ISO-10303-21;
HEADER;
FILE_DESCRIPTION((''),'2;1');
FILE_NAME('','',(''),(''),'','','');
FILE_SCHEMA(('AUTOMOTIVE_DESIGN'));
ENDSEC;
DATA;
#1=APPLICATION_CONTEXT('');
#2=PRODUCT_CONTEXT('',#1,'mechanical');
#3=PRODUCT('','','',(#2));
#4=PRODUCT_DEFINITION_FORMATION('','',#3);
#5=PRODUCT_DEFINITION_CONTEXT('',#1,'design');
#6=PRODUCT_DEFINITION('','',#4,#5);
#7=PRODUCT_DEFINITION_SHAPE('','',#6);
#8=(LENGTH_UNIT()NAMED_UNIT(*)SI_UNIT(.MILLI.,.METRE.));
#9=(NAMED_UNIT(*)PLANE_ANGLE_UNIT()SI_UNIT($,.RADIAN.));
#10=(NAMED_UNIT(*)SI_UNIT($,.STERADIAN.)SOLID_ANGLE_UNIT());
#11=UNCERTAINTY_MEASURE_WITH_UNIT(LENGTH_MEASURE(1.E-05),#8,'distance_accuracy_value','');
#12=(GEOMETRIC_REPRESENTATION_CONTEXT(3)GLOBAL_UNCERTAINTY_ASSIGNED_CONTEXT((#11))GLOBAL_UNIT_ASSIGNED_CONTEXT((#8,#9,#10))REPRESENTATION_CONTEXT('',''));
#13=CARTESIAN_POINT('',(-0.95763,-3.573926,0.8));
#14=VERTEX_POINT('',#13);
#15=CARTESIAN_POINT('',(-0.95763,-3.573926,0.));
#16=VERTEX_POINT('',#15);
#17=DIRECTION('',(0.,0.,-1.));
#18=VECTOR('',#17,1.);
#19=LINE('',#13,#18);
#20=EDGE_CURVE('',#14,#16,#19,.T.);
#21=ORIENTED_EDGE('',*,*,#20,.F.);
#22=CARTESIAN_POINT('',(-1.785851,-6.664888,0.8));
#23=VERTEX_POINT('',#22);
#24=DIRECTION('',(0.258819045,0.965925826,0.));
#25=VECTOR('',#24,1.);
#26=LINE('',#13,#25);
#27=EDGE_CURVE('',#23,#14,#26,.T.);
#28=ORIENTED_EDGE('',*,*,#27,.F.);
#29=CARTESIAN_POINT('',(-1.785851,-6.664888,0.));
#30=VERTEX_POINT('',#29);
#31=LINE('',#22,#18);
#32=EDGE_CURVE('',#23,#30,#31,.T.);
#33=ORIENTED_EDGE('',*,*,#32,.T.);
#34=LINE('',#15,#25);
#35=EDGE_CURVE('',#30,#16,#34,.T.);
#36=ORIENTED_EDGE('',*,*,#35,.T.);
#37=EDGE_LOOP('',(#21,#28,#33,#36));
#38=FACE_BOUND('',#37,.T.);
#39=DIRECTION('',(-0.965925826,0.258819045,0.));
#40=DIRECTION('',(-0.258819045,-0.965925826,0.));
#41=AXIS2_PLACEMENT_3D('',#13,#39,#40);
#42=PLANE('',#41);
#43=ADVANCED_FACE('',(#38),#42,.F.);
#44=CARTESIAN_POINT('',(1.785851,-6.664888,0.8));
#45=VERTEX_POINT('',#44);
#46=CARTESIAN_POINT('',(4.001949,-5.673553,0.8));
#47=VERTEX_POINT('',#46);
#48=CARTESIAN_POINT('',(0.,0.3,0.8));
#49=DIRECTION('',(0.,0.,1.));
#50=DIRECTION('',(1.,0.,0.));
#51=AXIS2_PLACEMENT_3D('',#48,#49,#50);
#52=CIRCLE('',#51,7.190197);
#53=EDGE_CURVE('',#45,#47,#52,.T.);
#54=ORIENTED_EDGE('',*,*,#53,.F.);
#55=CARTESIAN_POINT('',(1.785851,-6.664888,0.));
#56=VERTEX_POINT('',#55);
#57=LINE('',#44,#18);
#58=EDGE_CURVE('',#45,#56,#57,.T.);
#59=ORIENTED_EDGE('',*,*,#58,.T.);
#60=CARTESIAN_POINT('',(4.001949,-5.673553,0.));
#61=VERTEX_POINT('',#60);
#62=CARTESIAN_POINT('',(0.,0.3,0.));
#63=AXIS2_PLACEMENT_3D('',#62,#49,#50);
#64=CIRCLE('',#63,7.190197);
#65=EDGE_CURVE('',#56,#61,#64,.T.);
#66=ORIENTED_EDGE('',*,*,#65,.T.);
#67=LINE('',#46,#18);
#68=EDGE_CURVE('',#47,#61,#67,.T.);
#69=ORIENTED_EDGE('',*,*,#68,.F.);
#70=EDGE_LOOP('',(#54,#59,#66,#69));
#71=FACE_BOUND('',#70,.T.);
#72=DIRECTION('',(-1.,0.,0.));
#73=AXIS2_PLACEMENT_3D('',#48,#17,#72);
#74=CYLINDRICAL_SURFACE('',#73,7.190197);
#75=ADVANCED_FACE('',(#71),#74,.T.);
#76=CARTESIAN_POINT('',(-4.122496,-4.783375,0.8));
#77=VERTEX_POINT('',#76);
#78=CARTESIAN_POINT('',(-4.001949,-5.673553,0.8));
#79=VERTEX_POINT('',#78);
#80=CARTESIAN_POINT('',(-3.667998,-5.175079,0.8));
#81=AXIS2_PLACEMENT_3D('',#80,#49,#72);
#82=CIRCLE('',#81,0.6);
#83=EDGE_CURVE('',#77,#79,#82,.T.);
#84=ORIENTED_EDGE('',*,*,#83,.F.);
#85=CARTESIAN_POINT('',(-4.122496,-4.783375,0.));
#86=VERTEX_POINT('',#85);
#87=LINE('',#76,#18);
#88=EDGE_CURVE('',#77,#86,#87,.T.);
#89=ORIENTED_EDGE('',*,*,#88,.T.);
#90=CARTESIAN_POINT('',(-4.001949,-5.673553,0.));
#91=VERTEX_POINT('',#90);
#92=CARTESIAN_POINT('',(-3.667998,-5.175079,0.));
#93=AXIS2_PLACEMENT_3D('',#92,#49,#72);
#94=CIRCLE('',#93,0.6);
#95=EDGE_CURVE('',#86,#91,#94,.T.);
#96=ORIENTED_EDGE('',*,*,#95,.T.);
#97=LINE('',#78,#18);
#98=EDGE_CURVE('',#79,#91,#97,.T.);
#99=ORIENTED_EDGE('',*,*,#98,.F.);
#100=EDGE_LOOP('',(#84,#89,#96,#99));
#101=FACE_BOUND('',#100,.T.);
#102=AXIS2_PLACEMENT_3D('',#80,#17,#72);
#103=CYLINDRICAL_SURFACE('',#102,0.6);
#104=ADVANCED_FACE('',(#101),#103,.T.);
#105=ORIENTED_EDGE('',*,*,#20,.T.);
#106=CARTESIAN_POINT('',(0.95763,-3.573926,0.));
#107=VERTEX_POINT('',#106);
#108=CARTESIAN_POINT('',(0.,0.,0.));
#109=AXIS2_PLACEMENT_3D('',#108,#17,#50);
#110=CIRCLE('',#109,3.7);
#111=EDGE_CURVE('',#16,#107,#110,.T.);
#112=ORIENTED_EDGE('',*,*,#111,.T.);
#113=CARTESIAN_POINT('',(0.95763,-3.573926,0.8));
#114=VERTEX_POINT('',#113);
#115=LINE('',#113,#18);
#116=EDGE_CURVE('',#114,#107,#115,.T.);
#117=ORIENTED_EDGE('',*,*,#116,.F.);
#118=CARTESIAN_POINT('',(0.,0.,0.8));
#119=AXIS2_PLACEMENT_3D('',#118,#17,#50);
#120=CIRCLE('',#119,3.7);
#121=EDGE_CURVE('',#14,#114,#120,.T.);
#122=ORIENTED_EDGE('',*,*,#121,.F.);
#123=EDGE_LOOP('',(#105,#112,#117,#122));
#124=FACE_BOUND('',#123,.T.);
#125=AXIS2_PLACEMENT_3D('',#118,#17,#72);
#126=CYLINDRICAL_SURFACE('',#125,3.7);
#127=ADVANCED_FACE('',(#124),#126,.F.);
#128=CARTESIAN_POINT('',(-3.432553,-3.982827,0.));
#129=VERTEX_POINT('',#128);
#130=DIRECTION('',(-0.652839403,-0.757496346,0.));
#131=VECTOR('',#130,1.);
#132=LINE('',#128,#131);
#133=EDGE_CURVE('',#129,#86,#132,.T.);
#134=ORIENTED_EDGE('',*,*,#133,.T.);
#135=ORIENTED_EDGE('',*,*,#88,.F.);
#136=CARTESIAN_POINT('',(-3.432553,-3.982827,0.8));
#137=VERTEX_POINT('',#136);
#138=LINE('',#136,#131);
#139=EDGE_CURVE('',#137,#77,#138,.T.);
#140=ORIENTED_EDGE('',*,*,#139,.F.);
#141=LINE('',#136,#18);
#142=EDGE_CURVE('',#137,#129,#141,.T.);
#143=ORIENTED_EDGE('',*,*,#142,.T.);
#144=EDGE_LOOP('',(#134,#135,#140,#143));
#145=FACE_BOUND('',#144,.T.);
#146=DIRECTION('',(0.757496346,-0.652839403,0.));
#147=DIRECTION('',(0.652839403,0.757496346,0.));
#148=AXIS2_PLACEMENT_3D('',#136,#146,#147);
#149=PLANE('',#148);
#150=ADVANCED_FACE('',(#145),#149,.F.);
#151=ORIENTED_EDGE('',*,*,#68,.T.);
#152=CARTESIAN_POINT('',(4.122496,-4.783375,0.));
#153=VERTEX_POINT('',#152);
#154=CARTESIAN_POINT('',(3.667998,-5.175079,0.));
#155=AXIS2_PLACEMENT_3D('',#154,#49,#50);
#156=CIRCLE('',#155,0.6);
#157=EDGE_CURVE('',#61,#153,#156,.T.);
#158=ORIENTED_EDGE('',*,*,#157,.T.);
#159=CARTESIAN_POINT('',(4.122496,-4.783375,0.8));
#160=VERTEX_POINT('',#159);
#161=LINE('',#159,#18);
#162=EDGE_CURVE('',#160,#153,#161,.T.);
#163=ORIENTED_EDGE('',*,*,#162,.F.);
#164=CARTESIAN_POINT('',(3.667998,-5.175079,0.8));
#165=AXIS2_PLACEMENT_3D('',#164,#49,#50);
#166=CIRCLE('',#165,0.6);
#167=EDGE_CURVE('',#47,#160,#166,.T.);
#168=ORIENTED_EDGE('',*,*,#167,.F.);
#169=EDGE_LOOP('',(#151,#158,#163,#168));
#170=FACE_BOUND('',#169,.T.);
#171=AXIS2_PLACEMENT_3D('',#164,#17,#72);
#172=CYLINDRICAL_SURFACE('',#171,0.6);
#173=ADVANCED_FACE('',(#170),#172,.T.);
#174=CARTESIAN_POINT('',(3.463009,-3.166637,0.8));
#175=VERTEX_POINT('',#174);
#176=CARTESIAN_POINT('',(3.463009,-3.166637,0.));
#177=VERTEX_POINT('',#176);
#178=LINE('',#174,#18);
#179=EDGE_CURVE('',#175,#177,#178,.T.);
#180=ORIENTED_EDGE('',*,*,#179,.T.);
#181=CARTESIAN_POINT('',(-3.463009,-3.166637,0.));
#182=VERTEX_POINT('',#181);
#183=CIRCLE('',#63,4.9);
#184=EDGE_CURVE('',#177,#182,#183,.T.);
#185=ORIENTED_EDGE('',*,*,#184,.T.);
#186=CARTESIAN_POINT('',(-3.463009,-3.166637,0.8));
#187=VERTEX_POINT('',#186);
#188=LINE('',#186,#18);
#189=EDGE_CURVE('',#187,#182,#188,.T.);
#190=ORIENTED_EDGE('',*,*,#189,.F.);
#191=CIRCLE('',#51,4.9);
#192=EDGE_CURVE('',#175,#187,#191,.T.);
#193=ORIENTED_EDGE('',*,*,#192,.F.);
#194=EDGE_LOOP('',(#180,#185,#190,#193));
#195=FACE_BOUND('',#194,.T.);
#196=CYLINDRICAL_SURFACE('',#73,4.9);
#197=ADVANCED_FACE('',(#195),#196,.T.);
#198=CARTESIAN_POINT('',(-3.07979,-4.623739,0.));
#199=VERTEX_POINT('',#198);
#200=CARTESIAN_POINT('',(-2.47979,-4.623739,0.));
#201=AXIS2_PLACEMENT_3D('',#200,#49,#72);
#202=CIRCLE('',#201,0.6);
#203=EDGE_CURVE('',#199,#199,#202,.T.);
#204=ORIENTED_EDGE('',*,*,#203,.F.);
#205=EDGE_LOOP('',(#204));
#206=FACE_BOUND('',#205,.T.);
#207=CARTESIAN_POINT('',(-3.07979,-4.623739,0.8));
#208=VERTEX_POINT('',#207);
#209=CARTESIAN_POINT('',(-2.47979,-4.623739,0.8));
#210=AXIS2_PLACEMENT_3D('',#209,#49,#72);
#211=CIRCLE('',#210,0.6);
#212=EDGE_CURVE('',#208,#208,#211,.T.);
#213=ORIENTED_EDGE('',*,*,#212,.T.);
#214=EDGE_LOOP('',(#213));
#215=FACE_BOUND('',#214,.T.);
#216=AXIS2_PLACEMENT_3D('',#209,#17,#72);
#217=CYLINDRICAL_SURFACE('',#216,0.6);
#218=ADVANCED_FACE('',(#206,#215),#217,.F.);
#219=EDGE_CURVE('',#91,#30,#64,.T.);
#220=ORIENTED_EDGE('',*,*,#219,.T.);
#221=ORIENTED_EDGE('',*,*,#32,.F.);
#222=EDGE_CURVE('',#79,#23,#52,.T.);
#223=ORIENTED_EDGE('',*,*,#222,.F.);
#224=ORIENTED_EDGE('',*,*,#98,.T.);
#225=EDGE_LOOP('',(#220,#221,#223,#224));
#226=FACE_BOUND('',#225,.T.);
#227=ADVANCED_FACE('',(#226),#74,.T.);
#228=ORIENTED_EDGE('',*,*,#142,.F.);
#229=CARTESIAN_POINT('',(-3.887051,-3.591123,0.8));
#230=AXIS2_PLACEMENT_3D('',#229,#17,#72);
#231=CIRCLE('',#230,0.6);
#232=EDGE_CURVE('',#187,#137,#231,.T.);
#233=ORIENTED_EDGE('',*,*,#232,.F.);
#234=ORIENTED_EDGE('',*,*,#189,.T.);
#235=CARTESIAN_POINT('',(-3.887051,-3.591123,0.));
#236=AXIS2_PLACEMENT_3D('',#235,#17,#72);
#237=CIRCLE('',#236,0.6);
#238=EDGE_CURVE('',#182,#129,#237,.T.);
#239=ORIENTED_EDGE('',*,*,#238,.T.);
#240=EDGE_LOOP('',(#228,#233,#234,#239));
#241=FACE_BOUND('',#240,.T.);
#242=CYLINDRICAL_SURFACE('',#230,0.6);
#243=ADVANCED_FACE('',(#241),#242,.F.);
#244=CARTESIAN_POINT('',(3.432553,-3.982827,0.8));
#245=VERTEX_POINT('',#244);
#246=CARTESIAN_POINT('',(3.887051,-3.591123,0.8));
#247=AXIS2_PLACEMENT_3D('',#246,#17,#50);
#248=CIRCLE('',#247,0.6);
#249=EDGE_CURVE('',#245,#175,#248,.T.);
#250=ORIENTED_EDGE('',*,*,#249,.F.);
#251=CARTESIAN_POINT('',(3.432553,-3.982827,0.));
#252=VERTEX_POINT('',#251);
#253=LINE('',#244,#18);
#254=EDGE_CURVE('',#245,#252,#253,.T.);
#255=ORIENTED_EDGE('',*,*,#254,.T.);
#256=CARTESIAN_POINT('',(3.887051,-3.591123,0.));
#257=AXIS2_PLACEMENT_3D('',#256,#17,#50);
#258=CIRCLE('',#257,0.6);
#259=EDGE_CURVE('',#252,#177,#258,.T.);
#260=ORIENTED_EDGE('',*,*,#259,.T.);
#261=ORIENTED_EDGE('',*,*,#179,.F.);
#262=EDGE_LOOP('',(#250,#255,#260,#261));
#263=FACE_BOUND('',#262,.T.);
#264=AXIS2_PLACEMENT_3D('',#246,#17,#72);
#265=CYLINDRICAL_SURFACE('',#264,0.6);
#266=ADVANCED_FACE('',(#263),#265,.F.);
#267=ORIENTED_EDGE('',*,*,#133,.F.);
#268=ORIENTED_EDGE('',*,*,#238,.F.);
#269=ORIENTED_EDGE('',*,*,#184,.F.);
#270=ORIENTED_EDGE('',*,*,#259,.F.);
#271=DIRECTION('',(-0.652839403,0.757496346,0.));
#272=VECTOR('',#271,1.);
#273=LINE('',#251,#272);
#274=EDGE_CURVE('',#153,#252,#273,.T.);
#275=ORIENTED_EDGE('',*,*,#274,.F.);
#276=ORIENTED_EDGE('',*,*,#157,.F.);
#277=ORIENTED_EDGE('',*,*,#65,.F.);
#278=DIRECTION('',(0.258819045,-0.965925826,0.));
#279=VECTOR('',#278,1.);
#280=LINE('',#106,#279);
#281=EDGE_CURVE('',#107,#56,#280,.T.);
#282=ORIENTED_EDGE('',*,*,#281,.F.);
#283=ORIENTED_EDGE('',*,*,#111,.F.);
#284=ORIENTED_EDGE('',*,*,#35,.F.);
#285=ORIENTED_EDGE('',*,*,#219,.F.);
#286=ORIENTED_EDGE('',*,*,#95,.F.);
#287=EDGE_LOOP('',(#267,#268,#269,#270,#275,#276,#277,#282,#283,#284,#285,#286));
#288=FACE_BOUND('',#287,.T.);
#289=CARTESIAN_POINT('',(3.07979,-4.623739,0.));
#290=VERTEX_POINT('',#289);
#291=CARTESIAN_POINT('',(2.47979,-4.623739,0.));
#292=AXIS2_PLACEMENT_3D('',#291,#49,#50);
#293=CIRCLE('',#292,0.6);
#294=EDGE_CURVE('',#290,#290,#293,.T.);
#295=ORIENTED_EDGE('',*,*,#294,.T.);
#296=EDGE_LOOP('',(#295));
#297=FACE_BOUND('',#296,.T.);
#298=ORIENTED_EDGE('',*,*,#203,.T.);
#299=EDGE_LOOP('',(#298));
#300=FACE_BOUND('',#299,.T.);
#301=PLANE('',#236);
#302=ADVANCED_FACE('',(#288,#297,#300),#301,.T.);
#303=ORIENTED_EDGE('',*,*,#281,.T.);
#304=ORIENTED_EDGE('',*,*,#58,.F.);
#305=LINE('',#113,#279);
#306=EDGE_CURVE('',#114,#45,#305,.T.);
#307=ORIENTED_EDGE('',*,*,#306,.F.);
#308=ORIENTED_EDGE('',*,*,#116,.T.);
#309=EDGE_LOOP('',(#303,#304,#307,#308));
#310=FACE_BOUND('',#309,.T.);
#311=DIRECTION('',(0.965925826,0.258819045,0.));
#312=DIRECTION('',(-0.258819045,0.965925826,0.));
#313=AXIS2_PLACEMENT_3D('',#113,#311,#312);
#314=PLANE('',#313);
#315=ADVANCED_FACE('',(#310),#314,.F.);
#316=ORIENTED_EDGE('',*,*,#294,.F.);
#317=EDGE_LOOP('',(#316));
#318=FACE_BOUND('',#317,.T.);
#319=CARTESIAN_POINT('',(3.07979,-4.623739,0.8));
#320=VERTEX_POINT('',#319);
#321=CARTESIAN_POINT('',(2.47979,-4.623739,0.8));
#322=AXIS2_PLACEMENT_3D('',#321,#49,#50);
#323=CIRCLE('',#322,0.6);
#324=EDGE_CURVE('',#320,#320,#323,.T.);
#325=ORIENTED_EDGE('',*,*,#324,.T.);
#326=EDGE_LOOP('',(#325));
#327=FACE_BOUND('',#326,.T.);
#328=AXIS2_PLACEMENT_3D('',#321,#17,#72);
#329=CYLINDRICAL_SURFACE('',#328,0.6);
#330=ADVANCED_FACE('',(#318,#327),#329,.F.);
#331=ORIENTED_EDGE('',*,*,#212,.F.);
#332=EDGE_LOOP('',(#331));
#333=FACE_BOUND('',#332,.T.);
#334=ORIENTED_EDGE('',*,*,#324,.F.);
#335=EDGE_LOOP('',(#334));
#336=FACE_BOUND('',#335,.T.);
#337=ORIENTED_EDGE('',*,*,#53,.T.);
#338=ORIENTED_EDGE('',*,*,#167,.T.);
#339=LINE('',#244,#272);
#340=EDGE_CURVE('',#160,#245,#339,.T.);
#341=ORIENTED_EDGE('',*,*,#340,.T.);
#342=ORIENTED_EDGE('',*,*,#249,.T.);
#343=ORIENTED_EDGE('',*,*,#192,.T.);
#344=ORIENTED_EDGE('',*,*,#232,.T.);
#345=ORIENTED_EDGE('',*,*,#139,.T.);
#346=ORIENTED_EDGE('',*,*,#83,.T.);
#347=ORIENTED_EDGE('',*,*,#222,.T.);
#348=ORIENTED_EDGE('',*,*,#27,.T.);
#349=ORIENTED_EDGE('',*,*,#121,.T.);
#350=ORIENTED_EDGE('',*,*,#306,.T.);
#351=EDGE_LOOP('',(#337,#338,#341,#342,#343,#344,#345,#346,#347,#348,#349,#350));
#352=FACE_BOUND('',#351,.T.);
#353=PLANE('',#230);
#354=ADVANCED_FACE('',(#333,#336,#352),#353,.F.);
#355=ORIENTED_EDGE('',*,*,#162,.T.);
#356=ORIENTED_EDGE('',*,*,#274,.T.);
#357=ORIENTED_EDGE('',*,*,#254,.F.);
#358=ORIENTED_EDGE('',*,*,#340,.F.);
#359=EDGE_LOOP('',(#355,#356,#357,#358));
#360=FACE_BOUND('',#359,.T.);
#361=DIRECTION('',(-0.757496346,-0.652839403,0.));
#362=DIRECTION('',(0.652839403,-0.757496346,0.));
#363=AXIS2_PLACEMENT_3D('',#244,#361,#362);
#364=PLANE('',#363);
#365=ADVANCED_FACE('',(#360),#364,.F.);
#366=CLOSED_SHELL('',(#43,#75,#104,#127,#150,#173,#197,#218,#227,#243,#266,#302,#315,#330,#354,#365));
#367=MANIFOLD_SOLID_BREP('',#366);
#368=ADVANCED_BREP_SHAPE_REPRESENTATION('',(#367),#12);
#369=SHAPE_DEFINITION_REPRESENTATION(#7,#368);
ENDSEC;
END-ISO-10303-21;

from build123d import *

# Parameters (mm, degrees)
ESQUISSE1_R          = 0.6
BASE_EXTRUSION_DEPTH = 0.8


with BuildPart() as part:
    # Esquisse1 → Base-Extrusion (new body)
    with BuildSketch(Plane.XY):
        with BuildLine():
            Line((3.432552738, -3.982826624), (4.122496002, -4.783374966))
            ThreePointArc((4.122496002, -4.783374966), (4.262571201, -5.255595313), (4.001948594, -5.673553413))
            ThreePointArc((4.001948594, -5.673553413), (2.93604213, -6.263428184), (1.785851411, -6.664888201))
            Line((1.785851411, -6.664888201), (0.957630467, -3.573925557))
            ThreePointArc((0.957630467, -3.573925557), (0, 3.7), (-0.957630467, -3.573925557))
            Line((-0.957630467, -3.573925557), (-1.785851411, -6.664888201))
            ThreePointArc((-1.785851411, -6.664888201), (-2.93604213, -6.263428184), (-4.001948594, -5.673553413))
            ThreePointArc((-4.001948594, -5.673553413), (-4.262571201, -5.255595313), (-4.122496002, -4.783374966))
            Line((-4.122496002, -4.783374966), (-3.432552738, -3.982826624))
            ThreePointArc((-3.432552738, -3.982826624), (-3.287467827, -3.568749694), (-3.463008667, -3.166636838))
            ThreePointArc((-3.463008667, -3.166636838), (0, 5.2), (3.463008667, -3.166636838))
            ThreePointArc((3.463008667, -3.166636838), (3.287467827, -3.568749694), (3.432552738, -3.982826624))
        make_face()
        with Locations((2.47978953, -4.623739485)):
            Circle(ESQUISSE1_R, mode=Mode.SUBTRACT)
        with Locations(Location((-2.47978953, -4.623739485, 0), (0, 0, 180))):
            Circle(ESQUISSE1_R, mode=Mode.SUBTRACT)
    extrude(amount=BASE_EXTRUSION_DEPTH)


solid = part.part
